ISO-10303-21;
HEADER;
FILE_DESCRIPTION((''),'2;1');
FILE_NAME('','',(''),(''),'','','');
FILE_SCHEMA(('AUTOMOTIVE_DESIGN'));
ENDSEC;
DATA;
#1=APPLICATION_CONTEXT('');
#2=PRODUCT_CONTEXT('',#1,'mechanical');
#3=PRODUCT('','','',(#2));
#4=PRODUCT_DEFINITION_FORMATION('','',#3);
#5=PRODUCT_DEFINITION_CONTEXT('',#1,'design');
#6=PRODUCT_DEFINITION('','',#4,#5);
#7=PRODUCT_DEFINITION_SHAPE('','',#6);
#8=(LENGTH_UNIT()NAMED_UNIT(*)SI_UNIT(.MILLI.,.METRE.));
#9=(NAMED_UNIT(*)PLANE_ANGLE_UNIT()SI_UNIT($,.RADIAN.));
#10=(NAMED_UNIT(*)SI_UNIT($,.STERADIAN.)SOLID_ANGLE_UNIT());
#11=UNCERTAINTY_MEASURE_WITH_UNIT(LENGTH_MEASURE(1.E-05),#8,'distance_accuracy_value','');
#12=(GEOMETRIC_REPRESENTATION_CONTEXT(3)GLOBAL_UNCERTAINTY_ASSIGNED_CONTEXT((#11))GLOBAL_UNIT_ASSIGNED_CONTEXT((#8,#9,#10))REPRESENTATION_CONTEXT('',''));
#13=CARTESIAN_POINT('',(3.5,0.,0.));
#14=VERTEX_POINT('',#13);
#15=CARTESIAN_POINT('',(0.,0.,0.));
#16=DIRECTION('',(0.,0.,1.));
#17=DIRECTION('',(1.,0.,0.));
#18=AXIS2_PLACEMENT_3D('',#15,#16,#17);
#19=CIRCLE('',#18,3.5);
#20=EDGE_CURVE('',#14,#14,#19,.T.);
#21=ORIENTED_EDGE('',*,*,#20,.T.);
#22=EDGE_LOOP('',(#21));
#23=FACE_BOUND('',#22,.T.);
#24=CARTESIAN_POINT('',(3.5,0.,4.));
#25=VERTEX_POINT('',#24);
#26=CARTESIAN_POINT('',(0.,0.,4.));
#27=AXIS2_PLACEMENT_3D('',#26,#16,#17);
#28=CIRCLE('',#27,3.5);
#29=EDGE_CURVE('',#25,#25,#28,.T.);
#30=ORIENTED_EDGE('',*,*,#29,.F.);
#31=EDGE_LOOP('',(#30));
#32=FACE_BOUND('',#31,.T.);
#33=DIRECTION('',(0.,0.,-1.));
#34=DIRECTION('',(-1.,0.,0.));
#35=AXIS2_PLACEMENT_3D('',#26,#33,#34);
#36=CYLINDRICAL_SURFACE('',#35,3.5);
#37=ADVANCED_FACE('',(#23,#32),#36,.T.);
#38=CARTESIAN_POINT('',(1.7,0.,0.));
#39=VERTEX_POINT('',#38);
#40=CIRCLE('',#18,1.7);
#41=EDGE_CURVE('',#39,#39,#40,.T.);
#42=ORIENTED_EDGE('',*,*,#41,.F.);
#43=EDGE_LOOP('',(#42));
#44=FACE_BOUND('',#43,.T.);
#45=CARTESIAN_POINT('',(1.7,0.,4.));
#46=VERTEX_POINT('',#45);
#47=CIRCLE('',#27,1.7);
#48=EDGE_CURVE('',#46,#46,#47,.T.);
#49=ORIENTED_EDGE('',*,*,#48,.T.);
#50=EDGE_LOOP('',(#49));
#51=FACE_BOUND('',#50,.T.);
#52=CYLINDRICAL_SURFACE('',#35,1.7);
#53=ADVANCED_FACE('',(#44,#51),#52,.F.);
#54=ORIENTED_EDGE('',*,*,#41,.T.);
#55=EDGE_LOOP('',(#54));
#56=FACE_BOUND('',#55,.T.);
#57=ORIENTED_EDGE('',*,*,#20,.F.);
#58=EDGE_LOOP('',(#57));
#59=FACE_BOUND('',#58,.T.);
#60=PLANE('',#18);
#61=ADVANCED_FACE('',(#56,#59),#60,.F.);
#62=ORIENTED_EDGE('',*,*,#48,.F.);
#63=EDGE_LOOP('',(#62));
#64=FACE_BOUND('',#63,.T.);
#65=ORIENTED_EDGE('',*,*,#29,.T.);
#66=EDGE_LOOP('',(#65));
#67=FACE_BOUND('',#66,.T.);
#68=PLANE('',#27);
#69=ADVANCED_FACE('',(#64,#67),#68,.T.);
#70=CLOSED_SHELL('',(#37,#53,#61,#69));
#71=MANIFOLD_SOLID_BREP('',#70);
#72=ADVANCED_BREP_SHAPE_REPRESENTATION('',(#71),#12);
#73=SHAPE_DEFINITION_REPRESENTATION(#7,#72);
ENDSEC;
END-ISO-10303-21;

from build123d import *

# Parameters (mm, degrees)
PCB_INSULATION_SLEEVE_PROFILE_R   = 3.5
PCB_INSULATION_SLEEVE_PROFILE_R_2 = 1.7
PCB_INSULATION_SLEEVE_DEPTH       = 4


with BuildPart() as part:
    # PCB insulation sleeve profile → PCB insulation sleeve (new body)
    with BuildSketch(Plane.XY):
        Circle(PCB_INSULATION_SLEEVE_PROFILE_R)
        Circle(PCB_INSULATION_SLEEVE_PROFILE_R_2, mode=Mode.SUBTRACT)
    extrude(amount=PCB_INSULATION_SLEEVE_DEPTH)


solid = part.part
